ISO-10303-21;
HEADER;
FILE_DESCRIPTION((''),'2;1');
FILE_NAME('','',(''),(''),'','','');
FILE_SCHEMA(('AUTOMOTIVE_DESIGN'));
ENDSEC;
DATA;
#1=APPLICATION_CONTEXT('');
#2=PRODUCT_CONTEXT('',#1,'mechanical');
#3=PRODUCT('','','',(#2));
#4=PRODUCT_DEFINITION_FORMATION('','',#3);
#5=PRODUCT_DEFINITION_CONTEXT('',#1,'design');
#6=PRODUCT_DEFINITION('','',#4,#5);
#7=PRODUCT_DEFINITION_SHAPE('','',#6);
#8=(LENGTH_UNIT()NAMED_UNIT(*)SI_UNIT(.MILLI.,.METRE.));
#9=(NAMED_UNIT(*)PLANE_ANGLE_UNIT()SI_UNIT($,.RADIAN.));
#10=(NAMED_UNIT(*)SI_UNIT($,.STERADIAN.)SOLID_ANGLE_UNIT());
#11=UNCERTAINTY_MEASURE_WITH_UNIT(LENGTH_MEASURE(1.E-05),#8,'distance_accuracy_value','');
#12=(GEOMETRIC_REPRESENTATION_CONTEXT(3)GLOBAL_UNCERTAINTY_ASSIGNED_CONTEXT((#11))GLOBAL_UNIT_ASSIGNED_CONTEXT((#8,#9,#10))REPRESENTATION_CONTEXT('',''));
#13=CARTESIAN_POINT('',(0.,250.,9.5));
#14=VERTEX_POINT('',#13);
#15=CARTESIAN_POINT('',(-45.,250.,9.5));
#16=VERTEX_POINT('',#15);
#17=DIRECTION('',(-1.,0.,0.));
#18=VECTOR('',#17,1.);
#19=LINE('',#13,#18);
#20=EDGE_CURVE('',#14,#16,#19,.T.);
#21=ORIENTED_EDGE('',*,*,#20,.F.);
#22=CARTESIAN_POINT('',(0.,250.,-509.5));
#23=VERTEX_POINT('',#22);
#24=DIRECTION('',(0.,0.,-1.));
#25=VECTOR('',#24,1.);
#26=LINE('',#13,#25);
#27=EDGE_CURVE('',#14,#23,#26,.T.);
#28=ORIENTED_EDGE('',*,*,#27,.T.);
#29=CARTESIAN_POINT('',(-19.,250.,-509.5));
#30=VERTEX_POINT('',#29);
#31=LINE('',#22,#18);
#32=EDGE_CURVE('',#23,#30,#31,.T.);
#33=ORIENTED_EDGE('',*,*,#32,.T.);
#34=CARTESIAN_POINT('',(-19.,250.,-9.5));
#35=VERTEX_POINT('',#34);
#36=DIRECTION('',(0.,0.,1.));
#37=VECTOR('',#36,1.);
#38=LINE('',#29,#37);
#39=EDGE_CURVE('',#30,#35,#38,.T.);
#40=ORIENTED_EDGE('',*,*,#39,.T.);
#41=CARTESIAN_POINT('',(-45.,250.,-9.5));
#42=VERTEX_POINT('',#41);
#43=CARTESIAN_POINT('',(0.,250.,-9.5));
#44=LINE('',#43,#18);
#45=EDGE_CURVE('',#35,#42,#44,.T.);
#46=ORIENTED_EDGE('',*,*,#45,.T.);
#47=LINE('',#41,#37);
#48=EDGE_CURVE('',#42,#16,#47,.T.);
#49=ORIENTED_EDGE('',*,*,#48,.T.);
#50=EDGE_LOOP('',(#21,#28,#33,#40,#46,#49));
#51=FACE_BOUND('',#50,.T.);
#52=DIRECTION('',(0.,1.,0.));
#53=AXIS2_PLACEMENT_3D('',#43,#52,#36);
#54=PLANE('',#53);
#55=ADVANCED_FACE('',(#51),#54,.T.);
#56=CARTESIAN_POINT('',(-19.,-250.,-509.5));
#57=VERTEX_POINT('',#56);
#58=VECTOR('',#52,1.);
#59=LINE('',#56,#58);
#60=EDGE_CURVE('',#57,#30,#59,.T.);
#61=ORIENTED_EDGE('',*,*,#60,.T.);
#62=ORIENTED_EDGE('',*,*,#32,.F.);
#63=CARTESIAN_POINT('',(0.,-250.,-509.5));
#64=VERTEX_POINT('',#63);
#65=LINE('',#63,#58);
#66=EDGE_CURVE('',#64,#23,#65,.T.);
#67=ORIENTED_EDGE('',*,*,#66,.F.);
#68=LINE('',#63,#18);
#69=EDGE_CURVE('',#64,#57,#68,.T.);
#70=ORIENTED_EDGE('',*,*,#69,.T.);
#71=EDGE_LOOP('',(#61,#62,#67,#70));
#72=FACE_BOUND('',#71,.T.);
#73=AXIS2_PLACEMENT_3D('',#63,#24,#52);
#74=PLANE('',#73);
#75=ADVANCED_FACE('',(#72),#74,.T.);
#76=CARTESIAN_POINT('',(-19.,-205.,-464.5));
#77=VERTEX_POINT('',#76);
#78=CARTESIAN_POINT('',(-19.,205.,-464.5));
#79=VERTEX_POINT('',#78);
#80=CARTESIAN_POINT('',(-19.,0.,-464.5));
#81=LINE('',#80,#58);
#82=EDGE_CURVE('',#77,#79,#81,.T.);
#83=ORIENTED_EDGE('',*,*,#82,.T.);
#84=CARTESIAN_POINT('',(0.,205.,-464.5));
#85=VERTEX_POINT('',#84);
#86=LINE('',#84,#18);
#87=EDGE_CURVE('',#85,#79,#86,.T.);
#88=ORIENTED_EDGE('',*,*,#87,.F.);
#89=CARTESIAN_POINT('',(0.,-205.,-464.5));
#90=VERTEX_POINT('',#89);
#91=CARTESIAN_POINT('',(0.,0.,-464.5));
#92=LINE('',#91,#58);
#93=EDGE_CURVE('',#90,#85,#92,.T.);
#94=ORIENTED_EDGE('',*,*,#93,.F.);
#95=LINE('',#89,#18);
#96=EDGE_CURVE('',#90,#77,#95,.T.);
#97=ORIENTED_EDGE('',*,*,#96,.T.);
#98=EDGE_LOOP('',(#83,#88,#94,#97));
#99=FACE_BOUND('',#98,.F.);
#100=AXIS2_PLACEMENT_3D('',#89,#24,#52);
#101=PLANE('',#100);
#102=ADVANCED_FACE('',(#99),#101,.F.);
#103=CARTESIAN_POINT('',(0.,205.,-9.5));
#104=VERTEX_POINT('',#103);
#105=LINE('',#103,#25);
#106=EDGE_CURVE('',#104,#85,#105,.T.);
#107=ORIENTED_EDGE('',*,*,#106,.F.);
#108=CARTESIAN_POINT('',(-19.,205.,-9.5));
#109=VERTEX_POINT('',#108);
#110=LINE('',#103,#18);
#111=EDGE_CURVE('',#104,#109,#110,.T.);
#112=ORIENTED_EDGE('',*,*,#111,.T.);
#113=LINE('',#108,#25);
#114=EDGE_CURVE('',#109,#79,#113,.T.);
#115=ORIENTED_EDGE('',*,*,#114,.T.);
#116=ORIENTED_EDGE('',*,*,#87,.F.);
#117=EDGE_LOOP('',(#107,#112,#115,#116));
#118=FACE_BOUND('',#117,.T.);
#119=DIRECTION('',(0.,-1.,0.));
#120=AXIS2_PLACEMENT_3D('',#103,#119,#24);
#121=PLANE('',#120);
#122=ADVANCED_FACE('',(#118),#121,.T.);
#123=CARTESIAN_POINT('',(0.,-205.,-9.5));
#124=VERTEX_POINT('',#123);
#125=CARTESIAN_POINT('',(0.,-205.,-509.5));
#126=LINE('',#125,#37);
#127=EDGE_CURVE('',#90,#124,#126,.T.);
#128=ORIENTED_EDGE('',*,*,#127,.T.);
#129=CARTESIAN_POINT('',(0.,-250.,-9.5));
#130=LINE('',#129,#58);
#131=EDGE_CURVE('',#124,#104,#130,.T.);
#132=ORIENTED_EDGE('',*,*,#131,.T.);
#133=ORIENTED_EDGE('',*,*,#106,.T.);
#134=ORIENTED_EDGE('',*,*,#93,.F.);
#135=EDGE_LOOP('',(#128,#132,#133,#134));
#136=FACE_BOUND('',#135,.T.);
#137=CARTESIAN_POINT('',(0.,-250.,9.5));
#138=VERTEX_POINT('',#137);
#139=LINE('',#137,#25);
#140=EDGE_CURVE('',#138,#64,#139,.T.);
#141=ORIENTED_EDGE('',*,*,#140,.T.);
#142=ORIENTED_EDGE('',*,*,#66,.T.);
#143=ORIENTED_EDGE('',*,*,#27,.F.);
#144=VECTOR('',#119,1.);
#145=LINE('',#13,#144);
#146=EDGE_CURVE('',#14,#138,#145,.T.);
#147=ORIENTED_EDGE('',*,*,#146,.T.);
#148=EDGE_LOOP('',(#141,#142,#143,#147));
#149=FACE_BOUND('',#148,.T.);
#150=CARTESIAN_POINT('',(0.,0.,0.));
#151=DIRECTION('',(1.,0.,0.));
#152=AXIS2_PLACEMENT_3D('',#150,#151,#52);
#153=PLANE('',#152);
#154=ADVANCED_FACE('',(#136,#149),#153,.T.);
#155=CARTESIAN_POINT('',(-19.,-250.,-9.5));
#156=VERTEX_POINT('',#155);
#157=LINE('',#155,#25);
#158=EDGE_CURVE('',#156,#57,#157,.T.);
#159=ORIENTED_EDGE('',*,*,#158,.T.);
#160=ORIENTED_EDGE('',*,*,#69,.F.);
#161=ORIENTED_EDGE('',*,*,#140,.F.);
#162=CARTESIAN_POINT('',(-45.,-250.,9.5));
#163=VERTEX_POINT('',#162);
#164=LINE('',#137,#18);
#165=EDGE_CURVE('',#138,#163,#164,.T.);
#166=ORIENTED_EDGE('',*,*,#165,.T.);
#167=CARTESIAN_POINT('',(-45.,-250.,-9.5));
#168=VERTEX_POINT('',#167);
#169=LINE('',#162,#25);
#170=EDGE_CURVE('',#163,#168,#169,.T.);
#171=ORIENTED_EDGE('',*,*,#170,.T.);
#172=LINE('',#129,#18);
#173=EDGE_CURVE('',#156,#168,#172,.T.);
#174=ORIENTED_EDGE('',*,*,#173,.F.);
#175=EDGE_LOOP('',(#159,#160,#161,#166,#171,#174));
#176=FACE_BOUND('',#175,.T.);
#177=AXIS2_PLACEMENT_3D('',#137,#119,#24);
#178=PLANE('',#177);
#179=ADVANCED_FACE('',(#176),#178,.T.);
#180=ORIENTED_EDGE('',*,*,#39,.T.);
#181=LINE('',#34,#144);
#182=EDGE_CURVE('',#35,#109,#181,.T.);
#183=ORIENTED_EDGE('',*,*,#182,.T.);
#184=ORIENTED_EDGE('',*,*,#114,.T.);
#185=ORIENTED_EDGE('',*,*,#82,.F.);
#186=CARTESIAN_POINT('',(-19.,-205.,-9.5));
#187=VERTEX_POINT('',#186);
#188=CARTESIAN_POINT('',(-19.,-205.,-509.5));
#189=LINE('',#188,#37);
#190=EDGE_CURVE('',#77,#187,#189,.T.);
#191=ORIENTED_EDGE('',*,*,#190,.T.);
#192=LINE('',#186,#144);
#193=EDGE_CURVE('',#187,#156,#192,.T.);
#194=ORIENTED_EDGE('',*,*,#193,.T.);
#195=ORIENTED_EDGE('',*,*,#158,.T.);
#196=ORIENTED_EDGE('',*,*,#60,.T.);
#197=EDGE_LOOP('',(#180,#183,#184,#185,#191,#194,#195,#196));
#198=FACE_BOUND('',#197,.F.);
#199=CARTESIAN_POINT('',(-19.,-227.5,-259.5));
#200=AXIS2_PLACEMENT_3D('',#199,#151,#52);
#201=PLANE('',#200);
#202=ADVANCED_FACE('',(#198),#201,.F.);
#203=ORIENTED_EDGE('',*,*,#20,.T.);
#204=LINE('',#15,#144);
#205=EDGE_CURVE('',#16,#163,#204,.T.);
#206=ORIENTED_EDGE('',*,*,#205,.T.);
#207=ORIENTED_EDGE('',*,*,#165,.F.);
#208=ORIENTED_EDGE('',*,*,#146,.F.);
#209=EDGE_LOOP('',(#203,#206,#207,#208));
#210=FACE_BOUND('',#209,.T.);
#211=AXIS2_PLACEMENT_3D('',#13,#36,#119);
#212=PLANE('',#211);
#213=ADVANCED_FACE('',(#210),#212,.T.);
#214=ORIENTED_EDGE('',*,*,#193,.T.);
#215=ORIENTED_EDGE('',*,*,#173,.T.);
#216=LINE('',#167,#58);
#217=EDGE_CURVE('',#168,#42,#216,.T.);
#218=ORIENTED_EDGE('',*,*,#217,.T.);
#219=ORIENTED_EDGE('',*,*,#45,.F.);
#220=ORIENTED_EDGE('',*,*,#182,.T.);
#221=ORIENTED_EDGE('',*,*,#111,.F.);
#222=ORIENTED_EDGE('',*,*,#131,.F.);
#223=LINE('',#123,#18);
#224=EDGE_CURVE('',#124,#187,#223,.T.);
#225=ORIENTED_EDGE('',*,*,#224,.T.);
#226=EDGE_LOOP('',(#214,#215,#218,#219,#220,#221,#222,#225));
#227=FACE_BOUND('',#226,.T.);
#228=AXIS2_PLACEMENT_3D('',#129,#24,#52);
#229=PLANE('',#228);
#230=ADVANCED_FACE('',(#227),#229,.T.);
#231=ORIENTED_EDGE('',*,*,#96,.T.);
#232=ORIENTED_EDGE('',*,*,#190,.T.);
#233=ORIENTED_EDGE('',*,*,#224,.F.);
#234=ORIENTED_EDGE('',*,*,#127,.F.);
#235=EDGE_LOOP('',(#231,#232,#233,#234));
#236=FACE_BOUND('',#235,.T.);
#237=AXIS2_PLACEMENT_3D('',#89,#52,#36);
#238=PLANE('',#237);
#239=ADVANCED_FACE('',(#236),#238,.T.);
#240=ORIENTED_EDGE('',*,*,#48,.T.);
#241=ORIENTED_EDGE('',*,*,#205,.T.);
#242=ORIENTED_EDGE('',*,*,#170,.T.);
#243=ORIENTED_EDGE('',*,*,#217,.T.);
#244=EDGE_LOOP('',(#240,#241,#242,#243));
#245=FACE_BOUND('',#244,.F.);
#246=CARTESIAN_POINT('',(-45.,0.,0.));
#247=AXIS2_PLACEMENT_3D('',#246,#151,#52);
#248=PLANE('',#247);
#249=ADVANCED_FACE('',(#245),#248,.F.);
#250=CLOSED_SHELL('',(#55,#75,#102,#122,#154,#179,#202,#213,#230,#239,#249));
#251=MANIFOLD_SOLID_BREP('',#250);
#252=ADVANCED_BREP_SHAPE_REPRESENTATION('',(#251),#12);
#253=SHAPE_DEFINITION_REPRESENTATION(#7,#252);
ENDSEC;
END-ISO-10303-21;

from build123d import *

# Parameters (mm, degrees)
F0_W     = 410
F0_H     = 45
F1_DEPTH = 19
F2_DEPTH = 45


with BuildPart() as f1:
    # F0 (on Right) → F1 (new body)
    with BuildSketch(Plane.YZ):
        Polygon((-205, -464.5), (-205, -9.5), (-250, -9.5), (-250, -509.5), (-205, -509.5), align=None)
        Polygon((250, -509.5), (250, -9.5), (205, -9.5), (205, -464.5), (205, -509.5), align=None)
        with Locations((0, -487)):
            Rectangle(F0_W, F0_H)
    extrude(amount=-F1_DEPTH)

    # F0 (on Right) → F2 (join)
    with BuildSketch(Plane.YZ):
        Polygon((205, -9.5), (250, -9.5), (250, 9.5), (-250, 9.5), (-250, -9.5), (-205, -9.5), align=None)
    extrude(amount=-F2_DEPTH)


solid = f1.part
